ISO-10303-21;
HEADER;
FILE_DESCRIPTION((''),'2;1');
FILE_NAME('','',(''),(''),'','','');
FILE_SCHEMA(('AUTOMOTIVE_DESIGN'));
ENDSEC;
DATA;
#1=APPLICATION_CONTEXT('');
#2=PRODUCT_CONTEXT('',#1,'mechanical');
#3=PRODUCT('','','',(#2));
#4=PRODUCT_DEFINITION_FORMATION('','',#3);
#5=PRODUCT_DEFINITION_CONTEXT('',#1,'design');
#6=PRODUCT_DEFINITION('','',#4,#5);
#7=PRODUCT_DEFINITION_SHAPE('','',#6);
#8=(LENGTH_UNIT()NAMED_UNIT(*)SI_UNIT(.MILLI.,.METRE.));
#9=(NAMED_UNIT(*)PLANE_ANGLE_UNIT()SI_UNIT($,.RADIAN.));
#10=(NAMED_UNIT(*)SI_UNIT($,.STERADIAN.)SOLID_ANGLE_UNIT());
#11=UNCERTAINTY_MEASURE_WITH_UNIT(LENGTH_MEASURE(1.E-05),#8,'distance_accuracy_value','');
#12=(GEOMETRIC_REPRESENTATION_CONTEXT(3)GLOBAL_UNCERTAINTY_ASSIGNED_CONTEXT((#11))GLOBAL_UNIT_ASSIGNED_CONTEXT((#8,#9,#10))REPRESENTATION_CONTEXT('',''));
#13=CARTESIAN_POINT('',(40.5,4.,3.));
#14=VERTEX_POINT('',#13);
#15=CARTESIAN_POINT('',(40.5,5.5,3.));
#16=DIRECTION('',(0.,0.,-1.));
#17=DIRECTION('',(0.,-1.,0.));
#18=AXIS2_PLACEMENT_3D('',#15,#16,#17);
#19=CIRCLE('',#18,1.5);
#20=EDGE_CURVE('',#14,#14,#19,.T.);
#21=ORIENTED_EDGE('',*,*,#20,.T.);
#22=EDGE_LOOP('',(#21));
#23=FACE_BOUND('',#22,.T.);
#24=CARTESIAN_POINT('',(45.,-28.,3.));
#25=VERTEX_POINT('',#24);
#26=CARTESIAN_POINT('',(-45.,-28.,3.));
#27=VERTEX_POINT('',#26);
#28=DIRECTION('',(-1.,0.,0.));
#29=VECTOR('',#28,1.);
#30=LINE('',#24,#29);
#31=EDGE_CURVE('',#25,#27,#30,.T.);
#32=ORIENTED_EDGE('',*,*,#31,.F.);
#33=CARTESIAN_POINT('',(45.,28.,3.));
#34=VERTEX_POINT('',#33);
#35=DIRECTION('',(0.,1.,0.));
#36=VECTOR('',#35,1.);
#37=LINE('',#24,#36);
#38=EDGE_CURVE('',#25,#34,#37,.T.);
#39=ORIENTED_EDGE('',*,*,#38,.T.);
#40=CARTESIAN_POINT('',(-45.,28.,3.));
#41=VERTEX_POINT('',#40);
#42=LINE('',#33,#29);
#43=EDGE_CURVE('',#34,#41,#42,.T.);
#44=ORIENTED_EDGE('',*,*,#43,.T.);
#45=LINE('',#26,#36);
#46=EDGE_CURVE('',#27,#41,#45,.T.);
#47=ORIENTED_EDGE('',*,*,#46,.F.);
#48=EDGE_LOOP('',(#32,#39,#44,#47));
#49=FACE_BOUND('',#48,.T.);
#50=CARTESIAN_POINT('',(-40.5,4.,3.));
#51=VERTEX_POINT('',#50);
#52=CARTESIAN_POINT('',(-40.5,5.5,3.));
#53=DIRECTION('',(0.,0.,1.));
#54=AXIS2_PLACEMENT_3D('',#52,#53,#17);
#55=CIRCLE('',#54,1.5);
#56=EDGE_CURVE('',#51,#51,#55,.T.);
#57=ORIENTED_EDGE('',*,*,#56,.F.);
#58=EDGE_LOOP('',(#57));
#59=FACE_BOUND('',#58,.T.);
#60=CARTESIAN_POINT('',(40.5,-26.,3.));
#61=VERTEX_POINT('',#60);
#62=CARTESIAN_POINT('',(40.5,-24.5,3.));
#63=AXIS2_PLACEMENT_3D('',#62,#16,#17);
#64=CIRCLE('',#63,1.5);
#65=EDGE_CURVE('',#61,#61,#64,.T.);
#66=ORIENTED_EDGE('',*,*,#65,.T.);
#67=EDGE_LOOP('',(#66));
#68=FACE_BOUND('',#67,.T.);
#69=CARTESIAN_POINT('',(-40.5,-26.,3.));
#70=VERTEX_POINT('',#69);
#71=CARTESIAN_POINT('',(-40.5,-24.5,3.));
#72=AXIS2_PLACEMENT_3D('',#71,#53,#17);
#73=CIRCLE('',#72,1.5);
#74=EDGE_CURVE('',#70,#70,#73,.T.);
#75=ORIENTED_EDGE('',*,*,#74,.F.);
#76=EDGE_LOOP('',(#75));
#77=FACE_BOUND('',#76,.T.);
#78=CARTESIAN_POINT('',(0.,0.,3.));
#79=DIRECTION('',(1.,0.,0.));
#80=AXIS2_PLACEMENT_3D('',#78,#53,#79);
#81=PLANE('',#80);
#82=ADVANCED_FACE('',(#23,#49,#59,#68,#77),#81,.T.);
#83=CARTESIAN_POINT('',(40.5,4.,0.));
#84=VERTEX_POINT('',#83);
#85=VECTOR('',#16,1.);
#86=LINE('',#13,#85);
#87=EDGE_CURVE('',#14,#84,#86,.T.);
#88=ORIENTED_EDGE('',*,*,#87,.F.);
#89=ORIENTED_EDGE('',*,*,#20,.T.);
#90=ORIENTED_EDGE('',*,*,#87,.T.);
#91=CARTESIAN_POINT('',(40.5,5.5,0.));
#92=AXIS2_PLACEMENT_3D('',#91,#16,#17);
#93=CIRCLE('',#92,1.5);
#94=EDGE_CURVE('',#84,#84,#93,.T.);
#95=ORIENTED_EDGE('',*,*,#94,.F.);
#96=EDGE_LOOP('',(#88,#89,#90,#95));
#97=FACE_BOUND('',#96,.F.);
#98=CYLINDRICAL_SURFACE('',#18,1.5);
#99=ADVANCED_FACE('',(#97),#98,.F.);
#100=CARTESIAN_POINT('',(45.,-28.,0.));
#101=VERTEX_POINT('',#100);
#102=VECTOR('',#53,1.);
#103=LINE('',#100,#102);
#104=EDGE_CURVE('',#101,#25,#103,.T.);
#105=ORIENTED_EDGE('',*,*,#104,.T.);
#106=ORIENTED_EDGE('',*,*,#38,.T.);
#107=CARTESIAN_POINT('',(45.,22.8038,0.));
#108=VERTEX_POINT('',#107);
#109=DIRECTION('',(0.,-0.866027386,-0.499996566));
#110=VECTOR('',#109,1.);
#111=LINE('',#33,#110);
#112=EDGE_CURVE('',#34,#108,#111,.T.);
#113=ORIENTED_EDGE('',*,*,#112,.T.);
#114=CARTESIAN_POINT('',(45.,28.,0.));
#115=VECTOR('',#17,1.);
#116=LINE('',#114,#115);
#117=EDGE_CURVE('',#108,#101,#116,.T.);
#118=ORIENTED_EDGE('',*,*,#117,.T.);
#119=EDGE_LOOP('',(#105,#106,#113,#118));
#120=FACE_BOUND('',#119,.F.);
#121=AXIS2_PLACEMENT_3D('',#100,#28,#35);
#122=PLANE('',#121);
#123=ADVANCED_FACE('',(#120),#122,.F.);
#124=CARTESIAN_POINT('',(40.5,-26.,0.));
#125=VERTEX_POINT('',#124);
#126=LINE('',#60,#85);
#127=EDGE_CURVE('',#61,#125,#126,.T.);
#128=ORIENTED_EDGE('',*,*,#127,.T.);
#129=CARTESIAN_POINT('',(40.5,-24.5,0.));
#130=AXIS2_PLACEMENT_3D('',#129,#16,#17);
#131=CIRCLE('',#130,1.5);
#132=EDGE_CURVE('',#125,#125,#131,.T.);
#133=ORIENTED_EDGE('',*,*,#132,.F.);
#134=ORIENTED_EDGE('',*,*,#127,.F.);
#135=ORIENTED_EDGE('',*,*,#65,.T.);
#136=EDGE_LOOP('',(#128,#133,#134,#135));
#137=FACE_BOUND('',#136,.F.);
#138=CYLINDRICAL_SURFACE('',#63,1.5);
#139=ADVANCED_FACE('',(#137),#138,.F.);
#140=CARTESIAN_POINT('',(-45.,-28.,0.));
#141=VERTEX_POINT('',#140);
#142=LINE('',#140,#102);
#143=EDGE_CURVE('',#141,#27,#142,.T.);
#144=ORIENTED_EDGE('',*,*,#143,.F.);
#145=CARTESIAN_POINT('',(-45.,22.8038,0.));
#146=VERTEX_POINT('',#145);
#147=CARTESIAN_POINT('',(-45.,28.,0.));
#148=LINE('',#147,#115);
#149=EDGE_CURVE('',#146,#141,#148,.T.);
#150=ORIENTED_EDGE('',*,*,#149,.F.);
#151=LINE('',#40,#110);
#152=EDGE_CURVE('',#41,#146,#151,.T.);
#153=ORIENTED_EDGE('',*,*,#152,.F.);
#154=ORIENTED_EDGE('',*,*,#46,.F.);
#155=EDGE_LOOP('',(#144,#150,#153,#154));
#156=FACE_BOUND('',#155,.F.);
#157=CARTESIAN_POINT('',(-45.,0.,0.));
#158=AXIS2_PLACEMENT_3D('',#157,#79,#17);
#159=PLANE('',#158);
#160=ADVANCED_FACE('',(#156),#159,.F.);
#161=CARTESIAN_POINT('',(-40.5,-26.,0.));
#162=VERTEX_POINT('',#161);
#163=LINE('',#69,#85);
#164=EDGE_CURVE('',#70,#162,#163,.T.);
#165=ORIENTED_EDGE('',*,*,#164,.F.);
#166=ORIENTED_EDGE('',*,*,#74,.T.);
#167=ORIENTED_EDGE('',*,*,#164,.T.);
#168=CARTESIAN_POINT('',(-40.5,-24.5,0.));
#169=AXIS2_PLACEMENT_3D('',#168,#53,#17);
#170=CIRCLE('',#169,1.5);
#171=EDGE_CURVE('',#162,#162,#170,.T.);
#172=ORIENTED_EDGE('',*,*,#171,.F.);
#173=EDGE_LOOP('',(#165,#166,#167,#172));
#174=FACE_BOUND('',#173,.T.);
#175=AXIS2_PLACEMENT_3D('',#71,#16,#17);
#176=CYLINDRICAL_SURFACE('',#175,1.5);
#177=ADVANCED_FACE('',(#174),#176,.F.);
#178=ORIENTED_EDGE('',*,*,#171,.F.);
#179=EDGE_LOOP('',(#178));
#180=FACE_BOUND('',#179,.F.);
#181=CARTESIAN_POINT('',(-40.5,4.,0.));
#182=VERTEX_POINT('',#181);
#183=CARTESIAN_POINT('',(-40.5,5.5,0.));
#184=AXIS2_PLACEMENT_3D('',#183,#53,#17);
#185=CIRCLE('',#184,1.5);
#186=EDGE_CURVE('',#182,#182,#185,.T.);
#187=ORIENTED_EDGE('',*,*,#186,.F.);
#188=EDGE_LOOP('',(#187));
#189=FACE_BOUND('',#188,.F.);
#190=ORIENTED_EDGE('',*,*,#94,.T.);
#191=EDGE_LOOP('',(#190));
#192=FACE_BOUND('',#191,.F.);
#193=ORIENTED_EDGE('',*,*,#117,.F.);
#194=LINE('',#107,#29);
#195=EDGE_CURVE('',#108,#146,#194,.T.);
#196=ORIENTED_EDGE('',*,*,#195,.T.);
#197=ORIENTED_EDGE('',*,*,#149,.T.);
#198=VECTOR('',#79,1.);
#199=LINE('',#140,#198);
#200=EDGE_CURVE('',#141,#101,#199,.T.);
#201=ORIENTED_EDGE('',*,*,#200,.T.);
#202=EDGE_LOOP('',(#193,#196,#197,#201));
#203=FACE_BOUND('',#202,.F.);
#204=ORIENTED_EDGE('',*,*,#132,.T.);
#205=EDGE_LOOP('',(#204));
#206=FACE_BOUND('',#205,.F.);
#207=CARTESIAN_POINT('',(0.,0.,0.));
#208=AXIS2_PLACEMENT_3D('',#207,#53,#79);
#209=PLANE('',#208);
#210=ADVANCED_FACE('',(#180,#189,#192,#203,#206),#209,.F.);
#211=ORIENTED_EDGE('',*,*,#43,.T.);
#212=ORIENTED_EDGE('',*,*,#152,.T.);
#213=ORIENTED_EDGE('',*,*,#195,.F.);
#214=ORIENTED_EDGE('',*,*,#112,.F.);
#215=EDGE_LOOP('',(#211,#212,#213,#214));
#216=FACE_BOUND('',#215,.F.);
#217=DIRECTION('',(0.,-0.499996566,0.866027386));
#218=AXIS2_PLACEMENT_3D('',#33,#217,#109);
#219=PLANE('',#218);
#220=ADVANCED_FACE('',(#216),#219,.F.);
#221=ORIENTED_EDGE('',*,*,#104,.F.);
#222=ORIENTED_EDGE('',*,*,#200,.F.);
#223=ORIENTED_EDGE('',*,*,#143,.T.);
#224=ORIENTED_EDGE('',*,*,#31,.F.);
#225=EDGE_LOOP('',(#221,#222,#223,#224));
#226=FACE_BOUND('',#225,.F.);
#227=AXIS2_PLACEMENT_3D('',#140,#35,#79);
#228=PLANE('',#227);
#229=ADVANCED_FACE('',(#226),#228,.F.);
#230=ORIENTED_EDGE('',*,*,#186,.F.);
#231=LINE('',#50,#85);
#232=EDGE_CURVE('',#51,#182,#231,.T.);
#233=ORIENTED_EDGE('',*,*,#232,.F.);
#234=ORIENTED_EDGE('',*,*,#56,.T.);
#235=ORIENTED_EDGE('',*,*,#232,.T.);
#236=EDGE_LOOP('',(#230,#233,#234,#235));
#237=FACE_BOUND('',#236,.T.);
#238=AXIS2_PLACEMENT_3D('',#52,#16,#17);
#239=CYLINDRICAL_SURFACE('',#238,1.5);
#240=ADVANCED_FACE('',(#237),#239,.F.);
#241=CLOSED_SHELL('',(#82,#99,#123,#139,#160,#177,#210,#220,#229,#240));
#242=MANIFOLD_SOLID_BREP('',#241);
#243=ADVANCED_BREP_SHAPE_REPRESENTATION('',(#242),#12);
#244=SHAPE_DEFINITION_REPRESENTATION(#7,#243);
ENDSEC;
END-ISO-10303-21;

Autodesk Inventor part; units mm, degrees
ref_plane "YZ Plane" through (0, 0, 0) normal (1, 0, 0) x (0, 1, 0)
ref_plane "XZ Plane" through (0, 0, 0) normal (0, 1, 0) x (-1, 0, 0)
ref_plane "XY Plane" through (0, 0, 0) normal (0, 0, 1) x (1, 0, 0)
sketch "Szkic1" plane through (0, 0, 0) normal (0, 0, 1) x (1, 0, 0)
  line L0 (0, -39.2) -> (0, 39.2) projected
  line L1 (-63, 0) -> (63, 0) projected
  line L2 (-45, -28) -> (45, -28)
  line L3 (45, -28) -> (45, 28)
  line L4 (45, 28) -> (-45, 28)
  line L5 (-45, 28) -> (-45, -28)
  line L6 (-45, -28) -> (45, 28) construction
  line L7 (45, -28) -> (-45, 28) construction
  point P0 (0, 0)
  dimension "d0" = 90
  dimension "d1" = 56
extrude "Wyciągnięcie proste1" add sketch "Szkic1" along normal blind 3
sketch "Szkic2" plane through (45, -28, 0) normal (1, 0, 0) x (0, 0, -1)
  line L0 (-3, 0) -> (-3, 56) projected
  line L1 (-3, 56) -> (0, 50.8038)
  line L2 (0, 0) -> (0, 56) projected
  line L3 (0, 0) -> (0, 56) projected
  line L4 (0, 56) -> (-3, 56) projected
  line L5 (-3, 0) -> (-3, 56) projected
  line L6 (0, 0) -> (-3, 0) projected
  point P0 (0, 28)
  dimension "d4" = 30
extrude "Wyciągnięcie proste2" cut sketch "Szkic2" against normal blind 90 contours L4 L2 L1
sketch "Szkic3" plane through (0, 0, 3) normal (0, 0, 1) x (1, 0, 0)
  line L0 (-45, -28) -> (45, -28) projected
  line L1 (45, -28) -> (45, 28) projected
  line L2 (45, 28) -> (-45, 28) projected
  line L3 (-45, 28) -> (-45, -28) projected
  point P0 (0, 0)
  point P1 (40.5, 5.5)
  point P2 (40.5, -24.5)
  dimension "d7" = 4.5
  dimension "d8" = 4.5
  dimension "d9" = 3.5
  dimension "d10" = 30
hole "Otwór1" at (40.5, 5.5, 3) at (40.5, -24.5, 3) direction (0, 0, -1) diameter 3 depth 3
mirror "Odbij1" about plane through (0, 0, 0) normal (1, 0, 0) of "Otwór1"
properties part number "obciążenie_dół" material "Stal"
